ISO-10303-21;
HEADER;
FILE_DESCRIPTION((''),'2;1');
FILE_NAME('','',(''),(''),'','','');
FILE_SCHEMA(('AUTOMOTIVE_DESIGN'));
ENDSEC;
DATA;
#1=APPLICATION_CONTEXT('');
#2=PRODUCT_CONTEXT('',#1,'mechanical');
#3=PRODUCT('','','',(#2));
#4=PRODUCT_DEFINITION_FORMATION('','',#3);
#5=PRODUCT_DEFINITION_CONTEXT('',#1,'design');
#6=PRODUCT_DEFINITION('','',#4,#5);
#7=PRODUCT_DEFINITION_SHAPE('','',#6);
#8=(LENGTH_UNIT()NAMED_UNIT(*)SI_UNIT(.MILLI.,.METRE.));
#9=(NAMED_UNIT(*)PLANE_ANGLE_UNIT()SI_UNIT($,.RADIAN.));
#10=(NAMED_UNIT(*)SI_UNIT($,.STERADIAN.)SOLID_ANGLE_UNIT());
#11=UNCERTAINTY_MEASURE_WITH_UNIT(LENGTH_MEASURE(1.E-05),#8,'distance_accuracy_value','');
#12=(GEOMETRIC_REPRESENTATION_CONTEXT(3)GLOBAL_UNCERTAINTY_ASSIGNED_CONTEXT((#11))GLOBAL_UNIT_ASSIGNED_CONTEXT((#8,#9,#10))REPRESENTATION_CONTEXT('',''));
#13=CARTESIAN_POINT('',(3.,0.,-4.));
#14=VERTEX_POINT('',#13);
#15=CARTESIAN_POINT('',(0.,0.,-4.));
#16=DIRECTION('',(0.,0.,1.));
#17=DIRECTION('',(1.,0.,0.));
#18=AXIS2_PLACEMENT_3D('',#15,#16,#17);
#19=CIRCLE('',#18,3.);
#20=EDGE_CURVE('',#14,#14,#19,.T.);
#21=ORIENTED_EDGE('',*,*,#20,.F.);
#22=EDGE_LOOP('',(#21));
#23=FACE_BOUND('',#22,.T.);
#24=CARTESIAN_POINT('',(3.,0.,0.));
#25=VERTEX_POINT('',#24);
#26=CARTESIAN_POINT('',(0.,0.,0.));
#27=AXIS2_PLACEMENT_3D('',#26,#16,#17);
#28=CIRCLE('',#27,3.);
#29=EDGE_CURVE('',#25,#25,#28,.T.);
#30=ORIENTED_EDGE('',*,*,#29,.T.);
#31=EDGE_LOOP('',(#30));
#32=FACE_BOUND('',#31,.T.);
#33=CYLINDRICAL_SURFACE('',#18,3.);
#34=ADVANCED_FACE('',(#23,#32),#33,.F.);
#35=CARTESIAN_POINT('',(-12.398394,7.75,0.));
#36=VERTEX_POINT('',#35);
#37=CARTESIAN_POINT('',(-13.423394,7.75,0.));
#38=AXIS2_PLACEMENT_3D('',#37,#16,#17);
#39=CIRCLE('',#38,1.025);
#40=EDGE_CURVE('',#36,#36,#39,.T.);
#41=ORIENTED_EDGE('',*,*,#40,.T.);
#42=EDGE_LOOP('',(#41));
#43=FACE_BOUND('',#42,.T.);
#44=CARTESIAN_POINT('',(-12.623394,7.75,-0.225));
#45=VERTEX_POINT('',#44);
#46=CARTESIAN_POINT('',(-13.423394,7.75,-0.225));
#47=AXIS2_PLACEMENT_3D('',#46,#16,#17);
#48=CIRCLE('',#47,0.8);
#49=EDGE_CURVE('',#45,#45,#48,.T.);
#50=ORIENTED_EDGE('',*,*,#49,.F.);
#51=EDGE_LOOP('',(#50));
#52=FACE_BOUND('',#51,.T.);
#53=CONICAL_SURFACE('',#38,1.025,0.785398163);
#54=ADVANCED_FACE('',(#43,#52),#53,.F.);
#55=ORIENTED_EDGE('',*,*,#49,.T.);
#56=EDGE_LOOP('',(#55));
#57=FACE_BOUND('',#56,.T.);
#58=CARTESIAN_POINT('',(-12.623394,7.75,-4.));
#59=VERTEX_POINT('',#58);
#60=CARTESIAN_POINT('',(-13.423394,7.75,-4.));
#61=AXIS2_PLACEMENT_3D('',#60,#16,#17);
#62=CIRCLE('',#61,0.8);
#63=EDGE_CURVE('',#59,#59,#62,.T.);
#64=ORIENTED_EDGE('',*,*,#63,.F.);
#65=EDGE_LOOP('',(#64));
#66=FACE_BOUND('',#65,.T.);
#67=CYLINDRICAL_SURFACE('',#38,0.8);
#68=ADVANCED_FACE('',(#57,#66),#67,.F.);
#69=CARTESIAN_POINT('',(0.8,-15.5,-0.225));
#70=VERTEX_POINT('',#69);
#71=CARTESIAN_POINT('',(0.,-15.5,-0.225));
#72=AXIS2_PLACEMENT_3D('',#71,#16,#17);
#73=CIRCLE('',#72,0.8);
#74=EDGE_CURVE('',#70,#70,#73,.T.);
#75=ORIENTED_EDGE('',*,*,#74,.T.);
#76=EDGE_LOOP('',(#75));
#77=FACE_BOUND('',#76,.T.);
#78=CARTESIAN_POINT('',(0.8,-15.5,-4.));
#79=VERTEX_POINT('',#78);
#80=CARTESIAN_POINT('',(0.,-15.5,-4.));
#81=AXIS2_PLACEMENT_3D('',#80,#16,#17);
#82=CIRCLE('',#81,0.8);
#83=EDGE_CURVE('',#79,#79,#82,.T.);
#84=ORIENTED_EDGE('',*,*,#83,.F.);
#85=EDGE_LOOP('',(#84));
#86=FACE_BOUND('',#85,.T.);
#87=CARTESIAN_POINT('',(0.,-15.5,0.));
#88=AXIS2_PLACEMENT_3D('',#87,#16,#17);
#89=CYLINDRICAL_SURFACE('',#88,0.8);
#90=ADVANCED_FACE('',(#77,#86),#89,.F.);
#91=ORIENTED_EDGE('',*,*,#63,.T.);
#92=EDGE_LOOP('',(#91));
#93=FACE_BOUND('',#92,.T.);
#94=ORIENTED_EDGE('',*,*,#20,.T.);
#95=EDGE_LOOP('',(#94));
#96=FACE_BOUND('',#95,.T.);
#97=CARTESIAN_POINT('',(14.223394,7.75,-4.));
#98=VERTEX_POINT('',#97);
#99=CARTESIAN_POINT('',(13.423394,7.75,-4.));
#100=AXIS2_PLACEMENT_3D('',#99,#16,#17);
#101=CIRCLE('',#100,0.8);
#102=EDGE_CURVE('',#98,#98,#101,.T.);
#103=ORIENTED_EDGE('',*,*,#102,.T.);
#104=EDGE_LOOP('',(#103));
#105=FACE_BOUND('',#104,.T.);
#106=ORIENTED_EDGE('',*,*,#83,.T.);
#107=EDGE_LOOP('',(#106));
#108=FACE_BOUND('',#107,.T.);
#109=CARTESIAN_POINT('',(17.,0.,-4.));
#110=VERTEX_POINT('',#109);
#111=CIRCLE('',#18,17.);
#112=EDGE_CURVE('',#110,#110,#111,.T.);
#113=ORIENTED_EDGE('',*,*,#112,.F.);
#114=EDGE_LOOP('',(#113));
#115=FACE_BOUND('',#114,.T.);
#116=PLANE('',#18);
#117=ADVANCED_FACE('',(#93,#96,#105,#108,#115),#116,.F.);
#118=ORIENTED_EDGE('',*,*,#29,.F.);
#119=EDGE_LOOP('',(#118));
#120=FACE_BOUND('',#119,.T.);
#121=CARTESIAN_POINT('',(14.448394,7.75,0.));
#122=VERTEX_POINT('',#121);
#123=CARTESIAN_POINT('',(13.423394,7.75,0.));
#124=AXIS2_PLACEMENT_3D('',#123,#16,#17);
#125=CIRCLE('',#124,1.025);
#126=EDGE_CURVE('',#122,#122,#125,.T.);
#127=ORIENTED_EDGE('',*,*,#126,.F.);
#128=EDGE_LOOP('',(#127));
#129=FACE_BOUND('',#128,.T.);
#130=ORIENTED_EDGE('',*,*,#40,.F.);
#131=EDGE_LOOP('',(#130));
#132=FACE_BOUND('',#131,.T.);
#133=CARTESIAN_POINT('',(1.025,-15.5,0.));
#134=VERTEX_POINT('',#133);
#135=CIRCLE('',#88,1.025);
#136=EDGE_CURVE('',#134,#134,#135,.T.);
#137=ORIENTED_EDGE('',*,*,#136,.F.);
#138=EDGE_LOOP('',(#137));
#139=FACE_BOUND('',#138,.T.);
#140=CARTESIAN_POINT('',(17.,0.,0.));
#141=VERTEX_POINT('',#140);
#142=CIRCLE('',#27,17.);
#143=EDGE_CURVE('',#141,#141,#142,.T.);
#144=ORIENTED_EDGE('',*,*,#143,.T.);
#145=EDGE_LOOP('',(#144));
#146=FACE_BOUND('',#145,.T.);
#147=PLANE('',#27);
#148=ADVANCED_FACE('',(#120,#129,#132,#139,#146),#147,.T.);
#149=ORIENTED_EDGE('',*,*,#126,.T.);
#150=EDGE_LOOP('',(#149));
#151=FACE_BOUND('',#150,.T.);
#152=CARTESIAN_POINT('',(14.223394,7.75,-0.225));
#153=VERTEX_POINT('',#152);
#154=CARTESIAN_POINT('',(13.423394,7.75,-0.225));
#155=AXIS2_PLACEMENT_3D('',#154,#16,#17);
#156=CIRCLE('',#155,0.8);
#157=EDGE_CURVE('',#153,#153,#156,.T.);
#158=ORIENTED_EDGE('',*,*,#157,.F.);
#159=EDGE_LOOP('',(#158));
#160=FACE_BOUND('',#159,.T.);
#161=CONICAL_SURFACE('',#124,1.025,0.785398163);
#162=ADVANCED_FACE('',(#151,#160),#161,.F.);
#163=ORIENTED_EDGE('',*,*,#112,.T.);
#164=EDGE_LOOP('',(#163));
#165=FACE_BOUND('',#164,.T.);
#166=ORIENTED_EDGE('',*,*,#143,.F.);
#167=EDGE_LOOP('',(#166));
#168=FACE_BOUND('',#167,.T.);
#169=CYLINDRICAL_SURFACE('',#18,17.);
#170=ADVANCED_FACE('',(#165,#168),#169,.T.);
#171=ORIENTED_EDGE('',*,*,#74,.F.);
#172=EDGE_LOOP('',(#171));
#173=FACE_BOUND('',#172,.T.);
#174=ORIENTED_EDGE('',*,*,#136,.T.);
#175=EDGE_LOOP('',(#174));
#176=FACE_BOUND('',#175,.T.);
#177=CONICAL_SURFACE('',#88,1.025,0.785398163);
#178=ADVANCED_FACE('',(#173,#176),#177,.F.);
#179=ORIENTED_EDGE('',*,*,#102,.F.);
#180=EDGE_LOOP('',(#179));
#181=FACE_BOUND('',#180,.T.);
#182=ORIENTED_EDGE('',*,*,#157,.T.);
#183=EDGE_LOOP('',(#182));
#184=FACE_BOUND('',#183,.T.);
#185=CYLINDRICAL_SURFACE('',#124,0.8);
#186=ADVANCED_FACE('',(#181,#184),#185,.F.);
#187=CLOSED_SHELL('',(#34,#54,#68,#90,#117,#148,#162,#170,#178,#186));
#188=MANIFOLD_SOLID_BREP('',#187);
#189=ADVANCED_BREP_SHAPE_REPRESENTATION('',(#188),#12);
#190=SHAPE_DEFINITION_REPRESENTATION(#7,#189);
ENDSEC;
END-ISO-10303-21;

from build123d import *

# Parameters (mm, degrees)
SKETCH1_R                       = 17
BOSS_EXTRUDE1_DEPTH             = 4
M2X0_4_TAPPED_HOLE1_D           = 1.6
M2X0_4_TAPPED_HOLE1_CSINK_D     = 2.05
M2X0_4_TAPPED_HOLE1_CSINK_ANGLE = 90
CIRPATTERN1_COUNT               = 3
SKETCH4_R                       = 3
CUT_EXTRUDE1_DEPTH              = 5


with BuildPart() as part:
    # Sketch1 → Boss-Extrude1 (new body)
    with BuildSketch(Plane.XY):
        Circle(SKETCH1_R)
    extrude(amount=-BOSS_EXTRUDE1_DEPTH)

    # M2x0.4 Tapped Hole1 (through all)
    with Locations(Plane.XY):
        with Locations((0, -15.5)):
            m2x0_4_tapped_hole1 = CounterSinkHole(M2X0_4_TAPPED_HOLE1_D / 2, M2X0_4_TAPPED_HOLE1_CSINK_D / 2, counter_sink_angle=M2X0_4_TAPPED_HOLE1_CSINK_ANGLE)

    # CirPattern1: M2x0.4 Tapped Hole1 ×3 about axis
    cirpattern1_axis = Axis((0, 0, 0), (0, 0, 1))
    for i in range(1, CIRPATTERN1_COUNT):
        add(m2x0_4_tapped_hole1.rotate(cirpattern1_axis, i * 360 / CIRPATTERN1_COUNT), mode=Mode.SUBTRACT)

    # Sketch4 → Cut-Extrude1 (cut, through all)
    with BuildSketch(Plane.XY):
        Circle(SKETCH4_R)
    extrude(amount=-CUT_EXTRUDE1_DEPTH, mode=Mode.SUBTRACT)


solid = part.part
